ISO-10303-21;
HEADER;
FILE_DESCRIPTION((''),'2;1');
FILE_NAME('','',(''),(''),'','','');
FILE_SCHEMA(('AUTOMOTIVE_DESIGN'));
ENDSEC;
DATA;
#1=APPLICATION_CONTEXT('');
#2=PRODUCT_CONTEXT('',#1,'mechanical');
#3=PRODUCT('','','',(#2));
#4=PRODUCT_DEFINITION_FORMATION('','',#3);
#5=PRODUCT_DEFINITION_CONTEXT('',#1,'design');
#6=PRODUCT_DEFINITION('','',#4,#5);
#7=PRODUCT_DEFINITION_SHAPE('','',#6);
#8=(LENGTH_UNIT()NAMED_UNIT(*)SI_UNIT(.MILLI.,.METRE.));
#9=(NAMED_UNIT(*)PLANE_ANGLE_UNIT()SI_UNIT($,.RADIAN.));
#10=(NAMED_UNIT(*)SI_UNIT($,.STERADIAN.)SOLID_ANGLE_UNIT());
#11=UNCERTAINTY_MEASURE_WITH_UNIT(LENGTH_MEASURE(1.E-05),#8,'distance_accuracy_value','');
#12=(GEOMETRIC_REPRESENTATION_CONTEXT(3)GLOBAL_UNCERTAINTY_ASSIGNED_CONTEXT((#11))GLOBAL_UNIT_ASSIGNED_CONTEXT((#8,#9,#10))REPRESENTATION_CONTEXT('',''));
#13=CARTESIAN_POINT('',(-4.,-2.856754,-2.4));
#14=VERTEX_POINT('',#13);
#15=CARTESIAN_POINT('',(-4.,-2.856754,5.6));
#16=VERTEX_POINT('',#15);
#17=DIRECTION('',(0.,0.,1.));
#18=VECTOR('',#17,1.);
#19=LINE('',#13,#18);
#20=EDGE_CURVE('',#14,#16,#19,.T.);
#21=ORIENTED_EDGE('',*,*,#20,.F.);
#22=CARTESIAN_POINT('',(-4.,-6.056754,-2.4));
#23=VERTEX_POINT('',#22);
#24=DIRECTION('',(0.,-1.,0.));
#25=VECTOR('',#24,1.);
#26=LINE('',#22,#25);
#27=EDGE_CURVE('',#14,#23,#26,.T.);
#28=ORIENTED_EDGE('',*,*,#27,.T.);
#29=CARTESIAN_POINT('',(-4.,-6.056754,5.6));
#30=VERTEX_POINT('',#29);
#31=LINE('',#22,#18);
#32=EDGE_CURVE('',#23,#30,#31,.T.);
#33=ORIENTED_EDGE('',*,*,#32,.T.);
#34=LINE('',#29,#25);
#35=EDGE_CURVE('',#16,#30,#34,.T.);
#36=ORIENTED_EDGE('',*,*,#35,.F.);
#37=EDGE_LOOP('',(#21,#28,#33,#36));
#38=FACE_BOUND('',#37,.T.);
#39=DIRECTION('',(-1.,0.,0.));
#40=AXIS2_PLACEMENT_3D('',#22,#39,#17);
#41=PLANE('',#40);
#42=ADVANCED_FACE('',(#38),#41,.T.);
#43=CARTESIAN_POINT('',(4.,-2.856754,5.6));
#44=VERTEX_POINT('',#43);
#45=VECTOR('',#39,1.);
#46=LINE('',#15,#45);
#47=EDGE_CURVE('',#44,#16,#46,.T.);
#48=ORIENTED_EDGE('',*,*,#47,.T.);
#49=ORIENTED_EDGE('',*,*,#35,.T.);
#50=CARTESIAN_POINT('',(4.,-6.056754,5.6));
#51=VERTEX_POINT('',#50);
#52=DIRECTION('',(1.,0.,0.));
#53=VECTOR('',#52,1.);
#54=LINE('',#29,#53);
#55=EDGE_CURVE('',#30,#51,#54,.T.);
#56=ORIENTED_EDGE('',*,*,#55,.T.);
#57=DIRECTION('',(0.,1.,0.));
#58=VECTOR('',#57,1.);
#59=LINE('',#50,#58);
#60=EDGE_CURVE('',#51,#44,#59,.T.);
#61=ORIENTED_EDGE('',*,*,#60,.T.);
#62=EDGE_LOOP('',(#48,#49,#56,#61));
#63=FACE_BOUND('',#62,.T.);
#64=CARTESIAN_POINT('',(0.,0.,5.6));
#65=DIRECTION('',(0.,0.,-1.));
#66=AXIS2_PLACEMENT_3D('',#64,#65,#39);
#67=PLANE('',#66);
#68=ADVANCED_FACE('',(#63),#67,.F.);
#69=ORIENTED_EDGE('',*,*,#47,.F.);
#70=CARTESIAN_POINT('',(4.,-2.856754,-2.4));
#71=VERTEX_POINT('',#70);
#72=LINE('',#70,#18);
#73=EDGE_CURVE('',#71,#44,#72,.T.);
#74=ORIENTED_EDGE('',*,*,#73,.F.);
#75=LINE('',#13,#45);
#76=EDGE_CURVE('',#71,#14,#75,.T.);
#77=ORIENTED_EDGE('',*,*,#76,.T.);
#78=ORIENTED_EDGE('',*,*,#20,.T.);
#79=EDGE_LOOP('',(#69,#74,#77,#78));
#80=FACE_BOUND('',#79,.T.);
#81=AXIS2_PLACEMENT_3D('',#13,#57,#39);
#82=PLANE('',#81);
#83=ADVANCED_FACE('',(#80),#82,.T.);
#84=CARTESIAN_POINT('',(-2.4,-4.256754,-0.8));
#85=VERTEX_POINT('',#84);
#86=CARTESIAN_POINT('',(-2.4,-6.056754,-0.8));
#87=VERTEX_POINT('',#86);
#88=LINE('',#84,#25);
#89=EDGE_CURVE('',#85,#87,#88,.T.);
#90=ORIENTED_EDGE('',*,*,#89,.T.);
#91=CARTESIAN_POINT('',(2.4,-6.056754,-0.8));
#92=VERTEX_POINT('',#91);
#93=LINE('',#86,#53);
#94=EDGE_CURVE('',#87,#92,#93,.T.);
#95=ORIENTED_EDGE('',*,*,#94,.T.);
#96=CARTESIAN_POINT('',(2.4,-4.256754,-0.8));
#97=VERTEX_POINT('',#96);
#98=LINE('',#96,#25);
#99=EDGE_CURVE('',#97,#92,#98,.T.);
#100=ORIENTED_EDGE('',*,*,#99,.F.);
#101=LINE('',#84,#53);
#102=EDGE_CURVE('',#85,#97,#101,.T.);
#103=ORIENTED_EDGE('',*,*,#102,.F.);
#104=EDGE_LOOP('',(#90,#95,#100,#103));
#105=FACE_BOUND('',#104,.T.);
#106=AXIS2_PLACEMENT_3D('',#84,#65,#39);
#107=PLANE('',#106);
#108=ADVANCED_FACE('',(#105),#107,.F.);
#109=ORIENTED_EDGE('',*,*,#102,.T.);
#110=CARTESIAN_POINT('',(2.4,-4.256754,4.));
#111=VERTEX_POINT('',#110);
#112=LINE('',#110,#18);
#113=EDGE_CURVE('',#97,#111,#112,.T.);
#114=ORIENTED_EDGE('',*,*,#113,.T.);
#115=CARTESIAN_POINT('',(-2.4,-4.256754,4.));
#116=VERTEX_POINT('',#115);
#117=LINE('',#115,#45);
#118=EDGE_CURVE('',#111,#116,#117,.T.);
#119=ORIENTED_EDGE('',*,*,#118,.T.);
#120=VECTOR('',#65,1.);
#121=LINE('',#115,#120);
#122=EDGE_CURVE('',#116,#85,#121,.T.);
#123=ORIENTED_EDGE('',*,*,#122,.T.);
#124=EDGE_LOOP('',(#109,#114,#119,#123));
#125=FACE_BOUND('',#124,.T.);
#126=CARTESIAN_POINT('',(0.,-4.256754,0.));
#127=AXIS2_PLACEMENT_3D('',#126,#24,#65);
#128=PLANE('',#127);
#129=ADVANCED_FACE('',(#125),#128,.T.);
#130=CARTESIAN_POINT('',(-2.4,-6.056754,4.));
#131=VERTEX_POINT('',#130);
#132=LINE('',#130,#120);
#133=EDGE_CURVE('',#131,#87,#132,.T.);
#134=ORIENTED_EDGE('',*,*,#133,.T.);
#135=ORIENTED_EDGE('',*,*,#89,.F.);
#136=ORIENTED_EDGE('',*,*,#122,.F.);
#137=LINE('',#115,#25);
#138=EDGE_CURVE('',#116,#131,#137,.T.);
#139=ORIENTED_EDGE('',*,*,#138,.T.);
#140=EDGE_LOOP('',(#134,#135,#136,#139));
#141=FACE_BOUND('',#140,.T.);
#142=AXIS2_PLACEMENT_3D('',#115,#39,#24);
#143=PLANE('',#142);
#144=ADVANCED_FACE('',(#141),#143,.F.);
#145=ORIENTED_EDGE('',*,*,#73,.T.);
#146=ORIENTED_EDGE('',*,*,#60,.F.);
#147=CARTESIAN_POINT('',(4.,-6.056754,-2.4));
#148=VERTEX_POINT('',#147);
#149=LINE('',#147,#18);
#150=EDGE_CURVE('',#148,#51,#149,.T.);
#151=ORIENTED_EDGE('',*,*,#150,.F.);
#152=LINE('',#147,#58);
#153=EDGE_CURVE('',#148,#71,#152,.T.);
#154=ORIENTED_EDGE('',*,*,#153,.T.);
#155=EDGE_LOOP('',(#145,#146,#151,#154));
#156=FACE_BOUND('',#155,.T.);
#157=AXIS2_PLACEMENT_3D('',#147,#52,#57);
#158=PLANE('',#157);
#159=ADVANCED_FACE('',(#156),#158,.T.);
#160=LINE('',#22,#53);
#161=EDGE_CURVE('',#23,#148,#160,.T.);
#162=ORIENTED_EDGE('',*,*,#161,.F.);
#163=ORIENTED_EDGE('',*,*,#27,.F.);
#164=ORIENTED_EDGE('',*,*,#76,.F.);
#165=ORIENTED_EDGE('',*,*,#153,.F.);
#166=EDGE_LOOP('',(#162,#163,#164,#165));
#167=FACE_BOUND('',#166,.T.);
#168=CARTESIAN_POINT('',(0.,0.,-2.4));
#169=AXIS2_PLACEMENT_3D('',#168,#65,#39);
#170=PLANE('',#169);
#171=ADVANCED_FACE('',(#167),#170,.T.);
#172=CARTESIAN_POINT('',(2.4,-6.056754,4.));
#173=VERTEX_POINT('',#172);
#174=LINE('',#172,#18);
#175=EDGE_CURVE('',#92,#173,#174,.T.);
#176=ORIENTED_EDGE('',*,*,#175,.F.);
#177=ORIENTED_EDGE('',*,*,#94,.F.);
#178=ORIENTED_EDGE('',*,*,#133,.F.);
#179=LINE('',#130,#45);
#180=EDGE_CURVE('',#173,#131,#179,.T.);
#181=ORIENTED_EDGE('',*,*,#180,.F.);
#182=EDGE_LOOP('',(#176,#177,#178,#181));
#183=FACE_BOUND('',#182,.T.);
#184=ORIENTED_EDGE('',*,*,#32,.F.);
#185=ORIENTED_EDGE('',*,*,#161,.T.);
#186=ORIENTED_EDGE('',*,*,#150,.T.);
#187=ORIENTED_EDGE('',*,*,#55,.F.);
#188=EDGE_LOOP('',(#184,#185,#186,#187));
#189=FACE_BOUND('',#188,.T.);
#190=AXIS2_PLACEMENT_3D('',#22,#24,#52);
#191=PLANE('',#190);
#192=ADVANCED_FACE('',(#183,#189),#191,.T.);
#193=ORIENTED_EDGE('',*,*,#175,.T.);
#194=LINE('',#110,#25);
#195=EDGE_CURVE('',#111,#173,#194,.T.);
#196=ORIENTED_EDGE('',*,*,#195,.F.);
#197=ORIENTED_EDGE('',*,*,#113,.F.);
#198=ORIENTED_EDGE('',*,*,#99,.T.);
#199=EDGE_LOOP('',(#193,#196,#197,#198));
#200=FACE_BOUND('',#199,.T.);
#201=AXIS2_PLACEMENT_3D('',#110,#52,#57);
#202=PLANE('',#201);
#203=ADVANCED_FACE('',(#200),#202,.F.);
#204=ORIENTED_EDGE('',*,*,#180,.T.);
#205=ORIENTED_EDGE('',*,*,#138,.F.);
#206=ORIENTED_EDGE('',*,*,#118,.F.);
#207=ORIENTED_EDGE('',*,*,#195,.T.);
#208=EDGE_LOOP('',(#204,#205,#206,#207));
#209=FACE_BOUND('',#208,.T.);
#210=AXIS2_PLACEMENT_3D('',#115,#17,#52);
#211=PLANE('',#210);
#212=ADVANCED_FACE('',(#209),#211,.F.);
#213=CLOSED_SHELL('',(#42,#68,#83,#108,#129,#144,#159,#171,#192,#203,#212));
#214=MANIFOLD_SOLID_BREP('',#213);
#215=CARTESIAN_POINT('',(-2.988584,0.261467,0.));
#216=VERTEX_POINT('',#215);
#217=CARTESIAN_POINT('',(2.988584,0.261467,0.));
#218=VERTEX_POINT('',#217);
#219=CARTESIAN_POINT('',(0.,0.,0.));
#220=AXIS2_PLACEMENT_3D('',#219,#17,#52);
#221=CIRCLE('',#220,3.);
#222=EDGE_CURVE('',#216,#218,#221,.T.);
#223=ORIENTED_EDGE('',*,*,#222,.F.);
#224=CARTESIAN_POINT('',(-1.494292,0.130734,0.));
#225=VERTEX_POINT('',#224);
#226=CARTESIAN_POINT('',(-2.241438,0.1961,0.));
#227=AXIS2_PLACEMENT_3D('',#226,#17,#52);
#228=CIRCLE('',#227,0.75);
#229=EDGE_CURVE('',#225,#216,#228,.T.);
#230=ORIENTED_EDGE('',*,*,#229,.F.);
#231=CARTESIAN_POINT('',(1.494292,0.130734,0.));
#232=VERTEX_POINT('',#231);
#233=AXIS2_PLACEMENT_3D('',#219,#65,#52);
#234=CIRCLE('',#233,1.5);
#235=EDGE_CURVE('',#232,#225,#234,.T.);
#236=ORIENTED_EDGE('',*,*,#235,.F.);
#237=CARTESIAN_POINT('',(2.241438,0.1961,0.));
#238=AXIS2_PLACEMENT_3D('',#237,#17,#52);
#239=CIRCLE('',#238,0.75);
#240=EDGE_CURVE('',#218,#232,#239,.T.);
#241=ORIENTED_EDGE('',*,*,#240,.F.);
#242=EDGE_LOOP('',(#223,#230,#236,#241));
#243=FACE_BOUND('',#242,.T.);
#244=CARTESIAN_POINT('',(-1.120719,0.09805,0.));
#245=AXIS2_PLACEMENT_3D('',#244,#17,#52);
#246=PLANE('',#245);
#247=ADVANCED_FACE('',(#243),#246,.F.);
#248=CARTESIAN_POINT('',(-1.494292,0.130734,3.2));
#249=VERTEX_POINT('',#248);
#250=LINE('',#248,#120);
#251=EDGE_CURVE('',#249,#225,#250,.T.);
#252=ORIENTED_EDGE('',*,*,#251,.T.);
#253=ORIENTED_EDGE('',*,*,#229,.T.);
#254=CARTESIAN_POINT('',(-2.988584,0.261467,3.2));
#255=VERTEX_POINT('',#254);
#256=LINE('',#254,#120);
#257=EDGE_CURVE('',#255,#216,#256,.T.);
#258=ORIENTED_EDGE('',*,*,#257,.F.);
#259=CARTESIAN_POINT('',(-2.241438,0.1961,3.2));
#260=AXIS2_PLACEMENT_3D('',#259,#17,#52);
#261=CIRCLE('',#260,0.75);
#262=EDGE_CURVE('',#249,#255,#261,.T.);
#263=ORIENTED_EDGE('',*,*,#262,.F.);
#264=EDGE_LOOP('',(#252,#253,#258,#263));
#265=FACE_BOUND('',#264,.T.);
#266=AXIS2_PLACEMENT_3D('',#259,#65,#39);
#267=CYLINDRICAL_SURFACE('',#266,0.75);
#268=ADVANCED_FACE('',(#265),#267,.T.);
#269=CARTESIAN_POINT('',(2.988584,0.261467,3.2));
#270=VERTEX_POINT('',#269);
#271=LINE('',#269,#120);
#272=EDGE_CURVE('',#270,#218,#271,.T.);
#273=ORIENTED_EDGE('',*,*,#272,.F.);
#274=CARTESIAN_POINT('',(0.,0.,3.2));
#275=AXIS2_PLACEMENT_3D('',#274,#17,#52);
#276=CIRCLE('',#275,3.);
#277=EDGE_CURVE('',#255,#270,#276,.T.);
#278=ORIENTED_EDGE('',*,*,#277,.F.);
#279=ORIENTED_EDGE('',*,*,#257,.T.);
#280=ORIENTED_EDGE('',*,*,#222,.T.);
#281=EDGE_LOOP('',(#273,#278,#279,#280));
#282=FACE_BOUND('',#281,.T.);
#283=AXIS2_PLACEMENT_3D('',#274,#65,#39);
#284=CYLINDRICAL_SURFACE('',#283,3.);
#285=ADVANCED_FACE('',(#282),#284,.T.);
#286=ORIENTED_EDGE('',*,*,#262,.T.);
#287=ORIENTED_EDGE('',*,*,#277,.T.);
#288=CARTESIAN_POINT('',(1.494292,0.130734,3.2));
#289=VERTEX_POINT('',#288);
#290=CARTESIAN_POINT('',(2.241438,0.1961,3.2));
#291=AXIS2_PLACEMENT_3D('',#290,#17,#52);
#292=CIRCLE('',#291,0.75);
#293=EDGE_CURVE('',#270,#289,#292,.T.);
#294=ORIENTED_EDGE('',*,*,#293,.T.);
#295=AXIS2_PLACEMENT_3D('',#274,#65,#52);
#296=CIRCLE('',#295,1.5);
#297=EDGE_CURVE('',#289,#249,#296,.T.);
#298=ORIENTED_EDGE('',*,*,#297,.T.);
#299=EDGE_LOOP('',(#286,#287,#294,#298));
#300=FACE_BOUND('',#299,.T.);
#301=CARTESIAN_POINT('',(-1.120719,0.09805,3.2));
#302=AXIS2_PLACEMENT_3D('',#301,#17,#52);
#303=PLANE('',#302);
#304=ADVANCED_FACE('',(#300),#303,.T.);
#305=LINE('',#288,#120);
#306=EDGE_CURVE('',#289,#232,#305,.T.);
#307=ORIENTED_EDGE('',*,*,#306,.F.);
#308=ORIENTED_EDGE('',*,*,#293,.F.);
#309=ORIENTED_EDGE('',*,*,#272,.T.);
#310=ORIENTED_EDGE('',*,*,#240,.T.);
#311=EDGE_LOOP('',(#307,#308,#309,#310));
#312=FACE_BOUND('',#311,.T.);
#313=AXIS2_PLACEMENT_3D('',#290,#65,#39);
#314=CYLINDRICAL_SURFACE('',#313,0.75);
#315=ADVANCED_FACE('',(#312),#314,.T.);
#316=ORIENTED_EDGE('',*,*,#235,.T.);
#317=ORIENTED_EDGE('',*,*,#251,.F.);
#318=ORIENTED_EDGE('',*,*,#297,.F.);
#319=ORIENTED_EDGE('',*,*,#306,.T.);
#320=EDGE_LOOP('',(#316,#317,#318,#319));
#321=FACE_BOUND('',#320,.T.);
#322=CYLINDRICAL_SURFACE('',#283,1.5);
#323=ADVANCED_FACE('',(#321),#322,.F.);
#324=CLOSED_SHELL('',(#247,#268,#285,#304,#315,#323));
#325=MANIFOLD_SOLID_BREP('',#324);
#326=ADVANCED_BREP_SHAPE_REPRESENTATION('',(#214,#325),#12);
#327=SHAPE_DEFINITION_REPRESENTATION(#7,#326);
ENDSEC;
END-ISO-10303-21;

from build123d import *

# Parameters (mm, degrees)
BOSS_EXTRUDE1_DEPTH = 3.2
BOSS_EXTRUDE2_START = 1.6
SKETCH2_W           = 8
SKETCH2_H           = 3.2
BOSS_EXTRUDE2_DEPTH = 4
SKETCH3_W           = 4.8
SKETCH3_H           = 4.8
CUT_EXTRUDE1_DEPTH  = 1.8


with BuildPart() as part:
    # Sketch1 → Boss-Extrude1 (new body)
    with BuildSketch(Plane.XY):
        with BuildLine():
            ThreePointArc((-2.988584094, 0.261467228), (0, -3), (2.988584094, 0.261467228))
            ThreePointArc((2.988584094, 0.261467228), (2.176071264, 0.943246445), (1.494292047, 0.130733614))
            ThreePointArc((1.494292047, 0.130733614), (0, -1.5), (-1.494292047, 0.130733614))
            ThreePointArc((-1.494292047, 0.130733614), (-2.176071264, 0.943246445), (-2.988584094, 0.261467228))
        make_face()
    extrude(amount=BOSS_EXTRUDE1_DEPTH)


with BuildPart() as body_2:
    # Sketch2 → Boss-Extrude2 (new, symmetric)
    with BuildSketch(Plane.XY.offset(BOSS_EXTRUDE2_START)):
        with Locations((0, -4.456753555)):
            Rectangle(SKETCH2_W, SKETCH2_H)
    extrude(amount=BOSS_EXTRUDE2_DEPTH, both=True)

    # Sketch3 → Cut-Extrude1 (cut)
    with BuildSketch(Plane.XZ.offset(6.056753555)):
        with Locations((0, 1.6)):
            Rectangle(SKETCH3_W, SKETCH3_H)
    extrude(amount=-CUT_EXTRUDE1_DEPTH, mode=Mode.SUBTRACT)


solid = Compound([part.part, body_2.part])
